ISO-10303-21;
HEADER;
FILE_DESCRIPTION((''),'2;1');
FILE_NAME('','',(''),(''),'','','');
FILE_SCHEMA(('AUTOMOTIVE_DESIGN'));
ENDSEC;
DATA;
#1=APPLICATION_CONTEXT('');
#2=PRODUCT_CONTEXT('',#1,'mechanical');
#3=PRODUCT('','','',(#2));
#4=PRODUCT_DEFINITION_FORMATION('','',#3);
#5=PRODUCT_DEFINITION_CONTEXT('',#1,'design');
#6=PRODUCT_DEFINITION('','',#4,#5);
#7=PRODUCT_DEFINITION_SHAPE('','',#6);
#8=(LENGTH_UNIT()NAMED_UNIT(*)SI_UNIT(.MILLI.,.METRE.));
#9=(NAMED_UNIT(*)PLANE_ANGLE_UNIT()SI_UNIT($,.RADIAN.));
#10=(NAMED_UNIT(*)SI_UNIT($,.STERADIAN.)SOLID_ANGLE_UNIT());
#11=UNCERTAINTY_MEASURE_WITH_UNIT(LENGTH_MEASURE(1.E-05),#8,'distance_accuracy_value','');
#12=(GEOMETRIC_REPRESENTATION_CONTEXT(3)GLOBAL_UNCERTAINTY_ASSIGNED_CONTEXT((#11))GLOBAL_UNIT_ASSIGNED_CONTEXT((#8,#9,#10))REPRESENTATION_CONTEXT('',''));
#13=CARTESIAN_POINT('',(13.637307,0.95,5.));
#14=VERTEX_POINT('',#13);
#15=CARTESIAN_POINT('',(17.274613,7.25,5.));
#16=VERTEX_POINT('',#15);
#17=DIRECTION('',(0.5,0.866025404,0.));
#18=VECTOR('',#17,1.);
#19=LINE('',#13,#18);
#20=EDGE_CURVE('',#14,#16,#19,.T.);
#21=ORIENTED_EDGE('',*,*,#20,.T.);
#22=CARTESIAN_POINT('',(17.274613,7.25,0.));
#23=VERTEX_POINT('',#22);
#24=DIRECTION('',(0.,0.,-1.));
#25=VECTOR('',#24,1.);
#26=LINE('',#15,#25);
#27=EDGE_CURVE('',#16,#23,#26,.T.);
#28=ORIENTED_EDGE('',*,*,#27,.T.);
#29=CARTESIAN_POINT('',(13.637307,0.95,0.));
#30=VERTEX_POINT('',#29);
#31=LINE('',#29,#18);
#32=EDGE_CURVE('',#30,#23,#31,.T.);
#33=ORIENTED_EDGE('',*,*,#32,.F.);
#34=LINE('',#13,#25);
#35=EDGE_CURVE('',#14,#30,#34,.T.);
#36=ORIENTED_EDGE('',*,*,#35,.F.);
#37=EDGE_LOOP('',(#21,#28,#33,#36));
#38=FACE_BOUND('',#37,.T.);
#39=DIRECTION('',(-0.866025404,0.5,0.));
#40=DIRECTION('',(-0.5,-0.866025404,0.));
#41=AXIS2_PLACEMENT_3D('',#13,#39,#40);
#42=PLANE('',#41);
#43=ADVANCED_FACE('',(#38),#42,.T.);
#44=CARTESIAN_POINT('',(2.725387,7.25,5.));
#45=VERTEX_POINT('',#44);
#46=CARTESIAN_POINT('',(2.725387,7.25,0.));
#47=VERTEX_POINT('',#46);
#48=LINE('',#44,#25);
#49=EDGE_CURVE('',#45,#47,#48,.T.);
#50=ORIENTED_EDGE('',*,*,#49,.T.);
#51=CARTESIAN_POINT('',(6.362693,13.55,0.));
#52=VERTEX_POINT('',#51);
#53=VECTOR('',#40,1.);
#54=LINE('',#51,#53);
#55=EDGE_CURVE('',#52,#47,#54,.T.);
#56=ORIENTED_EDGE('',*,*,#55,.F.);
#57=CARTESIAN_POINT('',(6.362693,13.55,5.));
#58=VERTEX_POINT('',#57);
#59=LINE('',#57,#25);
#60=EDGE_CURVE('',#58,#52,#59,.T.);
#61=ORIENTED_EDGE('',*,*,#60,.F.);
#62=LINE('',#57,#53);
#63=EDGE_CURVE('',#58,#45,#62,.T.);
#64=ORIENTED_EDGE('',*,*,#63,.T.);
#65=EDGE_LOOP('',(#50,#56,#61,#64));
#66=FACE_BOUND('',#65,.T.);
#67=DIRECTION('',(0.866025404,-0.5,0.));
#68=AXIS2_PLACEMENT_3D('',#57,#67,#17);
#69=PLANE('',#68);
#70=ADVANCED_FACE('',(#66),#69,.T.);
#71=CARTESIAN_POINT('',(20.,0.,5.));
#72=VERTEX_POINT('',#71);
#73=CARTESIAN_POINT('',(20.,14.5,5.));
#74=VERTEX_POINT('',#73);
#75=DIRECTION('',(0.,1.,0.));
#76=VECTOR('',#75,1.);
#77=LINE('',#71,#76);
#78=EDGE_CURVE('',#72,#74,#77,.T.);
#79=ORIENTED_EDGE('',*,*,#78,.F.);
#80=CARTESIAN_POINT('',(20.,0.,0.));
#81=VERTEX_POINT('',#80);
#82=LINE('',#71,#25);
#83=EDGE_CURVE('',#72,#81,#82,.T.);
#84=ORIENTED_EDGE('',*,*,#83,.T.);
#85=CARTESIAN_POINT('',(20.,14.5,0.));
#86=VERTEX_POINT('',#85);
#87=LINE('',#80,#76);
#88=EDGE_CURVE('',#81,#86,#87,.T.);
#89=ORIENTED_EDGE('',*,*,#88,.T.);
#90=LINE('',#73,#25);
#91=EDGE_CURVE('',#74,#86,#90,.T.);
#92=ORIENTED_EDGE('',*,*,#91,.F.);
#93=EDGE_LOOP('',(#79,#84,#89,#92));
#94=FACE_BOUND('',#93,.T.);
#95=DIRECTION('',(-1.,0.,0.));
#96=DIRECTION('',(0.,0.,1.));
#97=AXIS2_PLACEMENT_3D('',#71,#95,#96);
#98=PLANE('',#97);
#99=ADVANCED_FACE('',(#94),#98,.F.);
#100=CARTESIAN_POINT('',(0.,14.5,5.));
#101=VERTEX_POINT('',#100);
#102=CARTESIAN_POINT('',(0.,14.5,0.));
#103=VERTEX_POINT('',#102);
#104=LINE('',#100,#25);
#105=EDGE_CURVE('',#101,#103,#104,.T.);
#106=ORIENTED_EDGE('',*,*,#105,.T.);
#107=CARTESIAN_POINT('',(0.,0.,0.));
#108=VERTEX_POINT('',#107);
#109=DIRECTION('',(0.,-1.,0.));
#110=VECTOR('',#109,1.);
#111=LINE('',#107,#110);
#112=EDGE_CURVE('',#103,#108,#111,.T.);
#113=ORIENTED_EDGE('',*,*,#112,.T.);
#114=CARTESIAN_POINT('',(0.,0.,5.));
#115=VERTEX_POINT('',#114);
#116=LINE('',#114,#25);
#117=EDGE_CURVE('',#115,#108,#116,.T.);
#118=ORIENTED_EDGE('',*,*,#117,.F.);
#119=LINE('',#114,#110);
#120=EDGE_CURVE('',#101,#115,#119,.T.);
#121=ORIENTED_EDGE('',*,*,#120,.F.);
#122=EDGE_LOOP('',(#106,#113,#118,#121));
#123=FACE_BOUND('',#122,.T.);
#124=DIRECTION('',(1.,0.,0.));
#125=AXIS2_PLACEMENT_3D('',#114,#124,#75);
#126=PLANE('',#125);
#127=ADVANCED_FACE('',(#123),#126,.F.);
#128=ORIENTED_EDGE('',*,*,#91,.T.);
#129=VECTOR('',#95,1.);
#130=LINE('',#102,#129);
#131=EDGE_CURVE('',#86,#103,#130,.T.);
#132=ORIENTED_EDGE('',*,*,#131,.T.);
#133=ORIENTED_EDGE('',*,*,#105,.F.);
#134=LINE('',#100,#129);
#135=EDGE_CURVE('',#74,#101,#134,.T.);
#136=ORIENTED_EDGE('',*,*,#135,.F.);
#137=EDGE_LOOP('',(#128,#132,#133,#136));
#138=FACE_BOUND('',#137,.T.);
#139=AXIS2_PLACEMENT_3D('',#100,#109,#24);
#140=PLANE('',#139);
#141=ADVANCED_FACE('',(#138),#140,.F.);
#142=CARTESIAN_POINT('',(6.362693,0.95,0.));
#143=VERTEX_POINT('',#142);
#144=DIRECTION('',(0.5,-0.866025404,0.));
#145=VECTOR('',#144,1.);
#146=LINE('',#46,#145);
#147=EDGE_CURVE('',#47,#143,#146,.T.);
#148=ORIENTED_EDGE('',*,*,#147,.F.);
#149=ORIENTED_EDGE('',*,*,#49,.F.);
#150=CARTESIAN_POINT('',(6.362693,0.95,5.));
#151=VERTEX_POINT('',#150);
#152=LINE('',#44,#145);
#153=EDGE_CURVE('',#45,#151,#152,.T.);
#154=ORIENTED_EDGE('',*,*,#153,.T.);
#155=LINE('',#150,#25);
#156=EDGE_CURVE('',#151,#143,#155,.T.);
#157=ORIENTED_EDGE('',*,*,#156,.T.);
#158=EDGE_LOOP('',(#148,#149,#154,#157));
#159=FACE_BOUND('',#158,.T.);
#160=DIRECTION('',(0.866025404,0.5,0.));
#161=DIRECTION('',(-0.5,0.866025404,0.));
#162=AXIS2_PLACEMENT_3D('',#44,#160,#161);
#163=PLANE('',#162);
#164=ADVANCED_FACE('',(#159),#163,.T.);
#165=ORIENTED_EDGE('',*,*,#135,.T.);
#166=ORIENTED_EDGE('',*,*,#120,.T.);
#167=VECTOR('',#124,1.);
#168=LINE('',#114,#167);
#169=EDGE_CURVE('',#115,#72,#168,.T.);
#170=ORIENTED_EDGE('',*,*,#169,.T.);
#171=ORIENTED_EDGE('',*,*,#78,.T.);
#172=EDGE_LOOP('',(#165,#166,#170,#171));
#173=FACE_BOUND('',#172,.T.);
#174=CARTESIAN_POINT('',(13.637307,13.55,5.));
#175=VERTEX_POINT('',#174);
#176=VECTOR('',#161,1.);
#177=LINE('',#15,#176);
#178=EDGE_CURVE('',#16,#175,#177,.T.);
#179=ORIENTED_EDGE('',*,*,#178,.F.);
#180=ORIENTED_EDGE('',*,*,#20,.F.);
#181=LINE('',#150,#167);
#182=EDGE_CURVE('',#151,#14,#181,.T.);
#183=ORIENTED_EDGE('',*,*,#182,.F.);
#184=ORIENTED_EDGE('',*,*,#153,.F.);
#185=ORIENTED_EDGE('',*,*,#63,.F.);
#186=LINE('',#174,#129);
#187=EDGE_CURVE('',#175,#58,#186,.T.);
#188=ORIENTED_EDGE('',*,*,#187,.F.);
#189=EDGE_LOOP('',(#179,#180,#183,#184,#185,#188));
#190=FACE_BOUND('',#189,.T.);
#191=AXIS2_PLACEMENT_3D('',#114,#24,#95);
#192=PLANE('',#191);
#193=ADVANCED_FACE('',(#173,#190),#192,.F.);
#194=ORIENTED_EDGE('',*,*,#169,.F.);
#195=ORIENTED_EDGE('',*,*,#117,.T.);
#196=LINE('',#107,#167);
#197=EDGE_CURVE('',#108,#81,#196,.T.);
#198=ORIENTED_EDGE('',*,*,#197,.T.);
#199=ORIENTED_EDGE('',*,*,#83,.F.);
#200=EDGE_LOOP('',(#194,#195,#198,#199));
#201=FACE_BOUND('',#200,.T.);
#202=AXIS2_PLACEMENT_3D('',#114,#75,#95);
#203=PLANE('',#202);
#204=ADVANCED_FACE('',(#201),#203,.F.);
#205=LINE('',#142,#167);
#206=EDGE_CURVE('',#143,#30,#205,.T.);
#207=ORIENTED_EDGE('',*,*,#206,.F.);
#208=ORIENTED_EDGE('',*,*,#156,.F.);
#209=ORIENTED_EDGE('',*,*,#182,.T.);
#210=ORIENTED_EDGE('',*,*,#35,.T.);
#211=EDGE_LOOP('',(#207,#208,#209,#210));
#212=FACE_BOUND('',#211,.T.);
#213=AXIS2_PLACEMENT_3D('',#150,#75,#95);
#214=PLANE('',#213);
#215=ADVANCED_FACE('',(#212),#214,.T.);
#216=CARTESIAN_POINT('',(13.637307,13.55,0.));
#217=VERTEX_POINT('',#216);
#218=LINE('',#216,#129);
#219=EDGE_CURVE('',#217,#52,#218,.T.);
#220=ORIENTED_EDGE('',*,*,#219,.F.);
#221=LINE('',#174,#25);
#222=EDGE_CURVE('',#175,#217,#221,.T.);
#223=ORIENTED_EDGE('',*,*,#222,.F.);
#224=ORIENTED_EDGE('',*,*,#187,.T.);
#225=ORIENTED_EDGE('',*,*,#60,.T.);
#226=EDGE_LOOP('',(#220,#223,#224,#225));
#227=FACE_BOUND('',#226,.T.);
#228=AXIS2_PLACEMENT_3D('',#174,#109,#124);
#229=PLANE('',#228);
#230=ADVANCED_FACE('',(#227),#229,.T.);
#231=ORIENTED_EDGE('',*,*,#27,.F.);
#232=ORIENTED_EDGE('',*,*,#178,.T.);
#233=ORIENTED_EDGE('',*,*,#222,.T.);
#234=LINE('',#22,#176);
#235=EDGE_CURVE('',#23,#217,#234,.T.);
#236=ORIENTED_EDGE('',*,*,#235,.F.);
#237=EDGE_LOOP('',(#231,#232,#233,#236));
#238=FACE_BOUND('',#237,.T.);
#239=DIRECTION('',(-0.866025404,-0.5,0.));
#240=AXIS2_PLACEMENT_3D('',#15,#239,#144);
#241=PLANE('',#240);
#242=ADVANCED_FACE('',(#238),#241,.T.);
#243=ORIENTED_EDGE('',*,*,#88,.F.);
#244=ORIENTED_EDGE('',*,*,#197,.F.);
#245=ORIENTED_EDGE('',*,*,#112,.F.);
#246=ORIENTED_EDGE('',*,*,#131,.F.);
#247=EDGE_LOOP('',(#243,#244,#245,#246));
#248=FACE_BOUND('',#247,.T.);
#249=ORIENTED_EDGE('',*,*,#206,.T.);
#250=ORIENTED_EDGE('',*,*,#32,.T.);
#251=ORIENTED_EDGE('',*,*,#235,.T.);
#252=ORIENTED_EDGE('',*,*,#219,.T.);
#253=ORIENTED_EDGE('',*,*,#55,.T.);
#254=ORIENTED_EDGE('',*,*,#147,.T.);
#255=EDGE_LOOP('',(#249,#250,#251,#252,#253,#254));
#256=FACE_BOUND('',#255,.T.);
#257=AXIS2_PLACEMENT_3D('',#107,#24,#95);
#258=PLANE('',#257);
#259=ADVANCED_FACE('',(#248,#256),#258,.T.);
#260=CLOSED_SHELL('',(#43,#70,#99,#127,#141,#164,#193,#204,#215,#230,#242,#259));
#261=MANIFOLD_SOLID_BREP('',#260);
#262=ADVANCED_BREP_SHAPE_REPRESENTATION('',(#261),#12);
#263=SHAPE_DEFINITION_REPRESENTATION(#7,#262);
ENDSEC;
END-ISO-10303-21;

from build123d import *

# Parameters (mm, degrees)
ESQUISSE1_W        = 20
ESQUISSE1_H        = 14.5
BOSS_EXTRU_1_DEPTH = 5


with BuildPart() as part:
    # Esquisse1 → Boss.-Extru.1 (new body)
    with BuildSketch(Plane.XY):
        with Locations((10, 7.25)):
            Rectangle(ESQUISSE1_W, ESQUISSE1_H)
        Polygon((17.274613392, 7.25), (13.637306696, 13.55), (6.362693304, 13.55), (2.725386608, 7.25), (6.362693304, 0.95), (13.637306696, 0.95), align=None, mode=Mode.SUBTRACT)
    extrude(amount=BOSS_EXTRU_1_DEPTH)


solid = part.part
